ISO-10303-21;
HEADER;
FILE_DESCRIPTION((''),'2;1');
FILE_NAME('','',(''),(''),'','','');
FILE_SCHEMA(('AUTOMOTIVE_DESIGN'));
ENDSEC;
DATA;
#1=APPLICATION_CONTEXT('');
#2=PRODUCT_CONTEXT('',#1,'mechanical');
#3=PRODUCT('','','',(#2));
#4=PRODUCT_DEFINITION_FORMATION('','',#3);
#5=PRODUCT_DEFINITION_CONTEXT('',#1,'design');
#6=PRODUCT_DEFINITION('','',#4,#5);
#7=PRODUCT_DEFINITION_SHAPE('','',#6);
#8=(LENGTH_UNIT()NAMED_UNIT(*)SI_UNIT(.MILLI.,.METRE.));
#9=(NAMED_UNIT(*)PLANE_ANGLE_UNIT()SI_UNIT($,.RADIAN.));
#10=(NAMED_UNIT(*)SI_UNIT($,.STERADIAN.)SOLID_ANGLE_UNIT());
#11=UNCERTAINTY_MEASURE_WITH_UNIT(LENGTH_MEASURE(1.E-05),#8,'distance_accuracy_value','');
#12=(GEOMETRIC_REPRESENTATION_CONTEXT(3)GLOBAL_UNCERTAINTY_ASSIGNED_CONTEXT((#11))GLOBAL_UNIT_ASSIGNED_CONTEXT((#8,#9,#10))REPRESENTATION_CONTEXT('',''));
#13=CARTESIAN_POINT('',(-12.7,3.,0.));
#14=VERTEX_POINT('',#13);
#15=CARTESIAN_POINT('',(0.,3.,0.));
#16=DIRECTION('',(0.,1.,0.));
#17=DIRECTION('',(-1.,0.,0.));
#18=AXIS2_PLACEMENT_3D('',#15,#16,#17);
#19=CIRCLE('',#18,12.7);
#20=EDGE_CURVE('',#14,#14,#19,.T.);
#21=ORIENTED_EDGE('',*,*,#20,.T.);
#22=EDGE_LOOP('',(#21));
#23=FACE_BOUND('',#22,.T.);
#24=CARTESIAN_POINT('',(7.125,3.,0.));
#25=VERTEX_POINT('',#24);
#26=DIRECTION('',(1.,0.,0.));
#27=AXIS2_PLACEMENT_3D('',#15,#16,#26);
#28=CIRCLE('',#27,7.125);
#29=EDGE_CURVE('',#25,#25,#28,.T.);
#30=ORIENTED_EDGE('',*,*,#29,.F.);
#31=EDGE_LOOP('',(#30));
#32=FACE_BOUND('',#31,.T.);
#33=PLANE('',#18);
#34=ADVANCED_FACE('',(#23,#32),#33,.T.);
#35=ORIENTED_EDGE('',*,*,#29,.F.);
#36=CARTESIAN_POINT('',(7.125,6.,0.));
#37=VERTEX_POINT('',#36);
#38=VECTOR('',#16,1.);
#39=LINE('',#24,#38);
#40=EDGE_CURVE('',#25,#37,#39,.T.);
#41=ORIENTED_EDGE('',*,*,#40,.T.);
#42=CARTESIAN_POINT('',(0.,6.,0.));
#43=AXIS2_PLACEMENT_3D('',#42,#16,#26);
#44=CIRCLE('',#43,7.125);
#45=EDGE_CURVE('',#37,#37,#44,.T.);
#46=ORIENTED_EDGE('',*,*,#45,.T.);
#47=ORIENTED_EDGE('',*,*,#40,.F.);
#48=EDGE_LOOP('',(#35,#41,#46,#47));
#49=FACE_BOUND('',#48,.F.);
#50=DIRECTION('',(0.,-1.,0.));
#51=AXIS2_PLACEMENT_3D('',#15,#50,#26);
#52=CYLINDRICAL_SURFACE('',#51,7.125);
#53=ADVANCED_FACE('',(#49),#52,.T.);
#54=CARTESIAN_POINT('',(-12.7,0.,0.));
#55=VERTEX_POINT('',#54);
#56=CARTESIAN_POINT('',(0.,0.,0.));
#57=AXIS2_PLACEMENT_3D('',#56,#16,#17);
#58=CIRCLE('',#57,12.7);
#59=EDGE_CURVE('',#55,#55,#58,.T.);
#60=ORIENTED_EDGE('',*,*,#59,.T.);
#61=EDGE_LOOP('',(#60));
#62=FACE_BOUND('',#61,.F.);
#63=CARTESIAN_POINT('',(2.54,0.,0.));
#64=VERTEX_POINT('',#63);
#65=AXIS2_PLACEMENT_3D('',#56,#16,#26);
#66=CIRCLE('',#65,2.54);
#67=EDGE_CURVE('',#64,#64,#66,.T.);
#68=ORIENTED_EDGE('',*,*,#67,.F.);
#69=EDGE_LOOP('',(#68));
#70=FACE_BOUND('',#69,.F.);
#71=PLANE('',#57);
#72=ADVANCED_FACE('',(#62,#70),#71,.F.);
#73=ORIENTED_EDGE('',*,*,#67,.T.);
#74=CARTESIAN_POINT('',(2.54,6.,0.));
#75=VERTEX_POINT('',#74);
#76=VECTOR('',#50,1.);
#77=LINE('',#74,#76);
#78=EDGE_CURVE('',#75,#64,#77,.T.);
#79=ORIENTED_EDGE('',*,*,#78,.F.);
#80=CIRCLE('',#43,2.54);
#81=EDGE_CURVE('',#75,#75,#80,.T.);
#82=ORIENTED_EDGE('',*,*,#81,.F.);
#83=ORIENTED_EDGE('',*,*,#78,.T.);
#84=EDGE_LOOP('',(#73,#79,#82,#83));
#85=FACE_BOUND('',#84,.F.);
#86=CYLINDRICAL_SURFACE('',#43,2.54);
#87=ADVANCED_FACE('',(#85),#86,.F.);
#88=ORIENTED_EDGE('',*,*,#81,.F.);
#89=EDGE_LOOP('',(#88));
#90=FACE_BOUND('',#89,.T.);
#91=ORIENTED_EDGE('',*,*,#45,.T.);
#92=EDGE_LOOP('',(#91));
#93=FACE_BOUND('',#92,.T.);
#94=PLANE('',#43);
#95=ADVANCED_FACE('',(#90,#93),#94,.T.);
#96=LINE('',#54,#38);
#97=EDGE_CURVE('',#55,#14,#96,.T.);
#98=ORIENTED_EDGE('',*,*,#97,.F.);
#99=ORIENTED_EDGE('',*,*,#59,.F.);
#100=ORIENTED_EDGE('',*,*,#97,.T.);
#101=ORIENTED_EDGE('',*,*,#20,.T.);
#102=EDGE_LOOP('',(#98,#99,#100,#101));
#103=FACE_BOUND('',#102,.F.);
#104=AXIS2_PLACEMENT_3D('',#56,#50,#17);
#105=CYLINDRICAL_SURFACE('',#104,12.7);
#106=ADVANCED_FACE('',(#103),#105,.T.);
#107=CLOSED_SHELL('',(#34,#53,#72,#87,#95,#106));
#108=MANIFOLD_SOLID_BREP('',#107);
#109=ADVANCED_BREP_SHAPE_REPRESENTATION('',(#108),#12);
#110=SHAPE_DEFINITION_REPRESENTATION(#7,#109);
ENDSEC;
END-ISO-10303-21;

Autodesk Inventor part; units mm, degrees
ref_plane "YZ Plane" through (0, 0, 0) normal (1, 0, 0) x (0, 1, 0)
ref_plane "XZ Plane" through (0, 0, 0) normal (0, 1, 0) x (-1, 0, 0)
ref_plane "XY Plane" through (0, 0, 0) normal (0, 0, 1) x (1, 0, 0)
sketch "Sketch1" plane through (0, 0, 0) normal (0, 1, 0) x (-1, 0, 0)
  circle A0 centre (0, 0) radius 12.7
  dimension "d0" = 25.4
extrude "Extrusion1" add sketch "Sketch1" along normal blind 3
sketch "Sketch2" plane through (0, 3, 0) normal (0, 1, 0) x (1, 0, 0)
  circle A0 centre (0, 0) radius 7.125
  dimension "d3" = 14.25
extrude "Extrusion2" add sketch "Sketch2" along normal blind 3
sketch "Sketch3" plane through (0, 6, 0) normal (0, 1, 0) x (1, 0, 0)
  circle A0 centre (0, 0) radius 2.54
  dimension "d6" = 5.08
extrude "Extrusion3" cut sketch "Sketch3" against normal up to next
properties part number "PhotonCerberCageInsert"
